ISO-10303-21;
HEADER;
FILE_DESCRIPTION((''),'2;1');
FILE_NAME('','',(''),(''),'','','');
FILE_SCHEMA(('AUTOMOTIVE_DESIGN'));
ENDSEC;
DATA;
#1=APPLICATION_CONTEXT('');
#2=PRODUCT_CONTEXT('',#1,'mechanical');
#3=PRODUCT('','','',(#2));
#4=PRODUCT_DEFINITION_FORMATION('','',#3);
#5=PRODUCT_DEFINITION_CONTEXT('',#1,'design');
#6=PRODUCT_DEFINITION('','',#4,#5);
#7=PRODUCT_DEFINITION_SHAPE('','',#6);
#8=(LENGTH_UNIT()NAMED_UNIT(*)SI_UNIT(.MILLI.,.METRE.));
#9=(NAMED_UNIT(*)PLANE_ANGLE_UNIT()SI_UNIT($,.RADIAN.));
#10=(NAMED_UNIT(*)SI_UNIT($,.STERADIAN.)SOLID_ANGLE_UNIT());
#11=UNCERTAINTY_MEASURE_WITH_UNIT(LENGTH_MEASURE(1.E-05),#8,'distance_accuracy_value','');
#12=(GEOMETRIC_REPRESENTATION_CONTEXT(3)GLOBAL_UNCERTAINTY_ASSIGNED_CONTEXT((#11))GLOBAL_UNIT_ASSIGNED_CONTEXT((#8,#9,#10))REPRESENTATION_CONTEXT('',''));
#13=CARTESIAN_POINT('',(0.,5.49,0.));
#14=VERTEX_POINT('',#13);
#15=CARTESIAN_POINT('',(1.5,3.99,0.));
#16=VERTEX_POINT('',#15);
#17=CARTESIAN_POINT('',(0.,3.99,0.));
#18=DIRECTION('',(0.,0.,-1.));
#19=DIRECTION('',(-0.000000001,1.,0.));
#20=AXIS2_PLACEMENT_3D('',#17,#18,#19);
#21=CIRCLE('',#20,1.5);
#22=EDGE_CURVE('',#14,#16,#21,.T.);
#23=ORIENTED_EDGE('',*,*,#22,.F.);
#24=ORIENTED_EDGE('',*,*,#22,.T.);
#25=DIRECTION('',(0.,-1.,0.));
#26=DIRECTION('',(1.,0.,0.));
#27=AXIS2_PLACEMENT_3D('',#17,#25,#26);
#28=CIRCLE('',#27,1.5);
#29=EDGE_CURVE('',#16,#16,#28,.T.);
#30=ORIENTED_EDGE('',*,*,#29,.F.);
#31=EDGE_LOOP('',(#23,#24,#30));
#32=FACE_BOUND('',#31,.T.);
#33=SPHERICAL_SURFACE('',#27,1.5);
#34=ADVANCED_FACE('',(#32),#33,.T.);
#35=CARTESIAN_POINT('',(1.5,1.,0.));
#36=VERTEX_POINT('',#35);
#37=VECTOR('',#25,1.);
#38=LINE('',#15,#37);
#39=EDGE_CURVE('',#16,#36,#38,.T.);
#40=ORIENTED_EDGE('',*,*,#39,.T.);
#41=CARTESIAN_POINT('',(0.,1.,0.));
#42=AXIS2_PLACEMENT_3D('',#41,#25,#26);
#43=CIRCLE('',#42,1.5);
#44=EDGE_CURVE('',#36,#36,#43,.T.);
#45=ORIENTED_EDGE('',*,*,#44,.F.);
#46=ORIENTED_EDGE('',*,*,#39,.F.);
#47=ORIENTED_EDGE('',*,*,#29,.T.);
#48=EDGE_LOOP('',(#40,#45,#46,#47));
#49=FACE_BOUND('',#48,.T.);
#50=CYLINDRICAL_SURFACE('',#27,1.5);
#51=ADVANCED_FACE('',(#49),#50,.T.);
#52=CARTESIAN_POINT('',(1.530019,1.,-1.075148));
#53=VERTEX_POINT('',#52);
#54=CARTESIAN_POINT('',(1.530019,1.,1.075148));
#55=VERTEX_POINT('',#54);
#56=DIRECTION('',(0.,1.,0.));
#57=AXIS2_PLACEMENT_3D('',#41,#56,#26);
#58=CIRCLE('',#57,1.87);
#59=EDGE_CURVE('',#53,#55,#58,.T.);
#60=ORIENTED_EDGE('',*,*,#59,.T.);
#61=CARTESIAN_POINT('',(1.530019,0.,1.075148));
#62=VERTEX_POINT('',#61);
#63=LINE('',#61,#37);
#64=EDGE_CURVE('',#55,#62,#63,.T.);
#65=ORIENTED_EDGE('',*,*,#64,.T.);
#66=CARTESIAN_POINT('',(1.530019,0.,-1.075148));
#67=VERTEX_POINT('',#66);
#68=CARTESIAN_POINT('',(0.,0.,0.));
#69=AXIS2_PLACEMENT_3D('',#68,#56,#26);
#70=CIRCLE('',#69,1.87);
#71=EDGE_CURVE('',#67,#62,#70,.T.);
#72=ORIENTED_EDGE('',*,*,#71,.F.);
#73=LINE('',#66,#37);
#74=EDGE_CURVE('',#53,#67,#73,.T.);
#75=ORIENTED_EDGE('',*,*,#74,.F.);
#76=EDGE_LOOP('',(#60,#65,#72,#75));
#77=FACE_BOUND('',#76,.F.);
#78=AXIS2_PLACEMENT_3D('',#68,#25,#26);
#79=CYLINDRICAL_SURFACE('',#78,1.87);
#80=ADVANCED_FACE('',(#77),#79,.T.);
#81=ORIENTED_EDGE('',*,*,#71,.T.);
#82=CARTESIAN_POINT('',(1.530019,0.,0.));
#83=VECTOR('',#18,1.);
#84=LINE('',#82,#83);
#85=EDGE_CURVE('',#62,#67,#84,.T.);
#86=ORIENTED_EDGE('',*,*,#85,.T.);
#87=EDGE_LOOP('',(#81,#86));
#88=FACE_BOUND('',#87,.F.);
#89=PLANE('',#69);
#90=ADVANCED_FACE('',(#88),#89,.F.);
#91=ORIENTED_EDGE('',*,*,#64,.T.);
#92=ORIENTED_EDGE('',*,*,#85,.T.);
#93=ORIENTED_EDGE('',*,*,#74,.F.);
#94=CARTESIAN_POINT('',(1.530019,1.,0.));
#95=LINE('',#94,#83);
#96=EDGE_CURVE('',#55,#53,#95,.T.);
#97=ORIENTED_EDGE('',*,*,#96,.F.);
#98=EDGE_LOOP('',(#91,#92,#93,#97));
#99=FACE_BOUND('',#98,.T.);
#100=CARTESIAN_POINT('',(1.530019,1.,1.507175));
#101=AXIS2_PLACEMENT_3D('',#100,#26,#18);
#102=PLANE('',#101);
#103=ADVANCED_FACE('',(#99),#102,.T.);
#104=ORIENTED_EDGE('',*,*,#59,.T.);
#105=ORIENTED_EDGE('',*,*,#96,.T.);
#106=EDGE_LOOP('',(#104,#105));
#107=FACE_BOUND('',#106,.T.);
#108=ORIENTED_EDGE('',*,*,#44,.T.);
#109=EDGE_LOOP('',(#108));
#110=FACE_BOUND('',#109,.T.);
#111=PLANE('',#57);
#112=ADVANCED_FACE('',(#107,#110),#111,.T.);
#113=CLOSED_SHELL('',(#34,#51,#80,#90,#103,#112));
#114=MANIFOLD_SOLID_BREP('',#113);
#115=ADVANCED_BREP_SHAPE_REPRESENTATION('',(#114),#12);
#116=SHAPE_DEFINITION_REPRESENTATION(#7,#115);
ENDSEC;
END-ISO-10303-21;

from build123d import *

# Parameters (mm, degrees)
SKETCH1_R           = 1.87
BOSS_EXTRUDE1_DEPTH = 1
SKETCH6_W           = 0.679962926
SKETCH6_H           = 3.014349716
CUT_EXTRUDE1_DEPTH  = 1


with BuildPart() as part:
    # Sketch1 → Boss-Extrude1 (new body)
    with BuildSketch(Plane(origin=(0, 0, 0), x_dir=(1, 0, 0), z_dir=(0, 1, 0))):
        Circle(SKETCH1_R)
    extrude(amount=BOSS_EXTRUDE1_DEPTH)

    # Sketch3 → Revolve2 (revolve)
    with BuildSketch(Plane.XY):
        with BuildLine():
            Line((1.5, 3.99), (1.5, 1))
            Line((1.5, 1), (0, 1))
            Line((0, 1), (0, 5.49))
            ThreePointArc((0, 5.49), (1.060660172, 5.050660172), (1.5, 3.99))
        make_face()
    revolve(axis=Axis((0, 5.49, 0), (0, -1, 0)))

    # Sketch6 → Cut-Extrude1 (cut)
    with BuildSketch(Plane(origin=(0, 1, 0), x_dir=(1, 0, 0), z_dir=(0, 1, 0))):
        with Locations((1.87, 0)):
            Rectangle(SKETCH6_W, SKETCH6_H)
    extrude(amount=-CUT_EXTRUDE1_DEPTH, mode=Mode.SUBTRACT)


solid = part.part
